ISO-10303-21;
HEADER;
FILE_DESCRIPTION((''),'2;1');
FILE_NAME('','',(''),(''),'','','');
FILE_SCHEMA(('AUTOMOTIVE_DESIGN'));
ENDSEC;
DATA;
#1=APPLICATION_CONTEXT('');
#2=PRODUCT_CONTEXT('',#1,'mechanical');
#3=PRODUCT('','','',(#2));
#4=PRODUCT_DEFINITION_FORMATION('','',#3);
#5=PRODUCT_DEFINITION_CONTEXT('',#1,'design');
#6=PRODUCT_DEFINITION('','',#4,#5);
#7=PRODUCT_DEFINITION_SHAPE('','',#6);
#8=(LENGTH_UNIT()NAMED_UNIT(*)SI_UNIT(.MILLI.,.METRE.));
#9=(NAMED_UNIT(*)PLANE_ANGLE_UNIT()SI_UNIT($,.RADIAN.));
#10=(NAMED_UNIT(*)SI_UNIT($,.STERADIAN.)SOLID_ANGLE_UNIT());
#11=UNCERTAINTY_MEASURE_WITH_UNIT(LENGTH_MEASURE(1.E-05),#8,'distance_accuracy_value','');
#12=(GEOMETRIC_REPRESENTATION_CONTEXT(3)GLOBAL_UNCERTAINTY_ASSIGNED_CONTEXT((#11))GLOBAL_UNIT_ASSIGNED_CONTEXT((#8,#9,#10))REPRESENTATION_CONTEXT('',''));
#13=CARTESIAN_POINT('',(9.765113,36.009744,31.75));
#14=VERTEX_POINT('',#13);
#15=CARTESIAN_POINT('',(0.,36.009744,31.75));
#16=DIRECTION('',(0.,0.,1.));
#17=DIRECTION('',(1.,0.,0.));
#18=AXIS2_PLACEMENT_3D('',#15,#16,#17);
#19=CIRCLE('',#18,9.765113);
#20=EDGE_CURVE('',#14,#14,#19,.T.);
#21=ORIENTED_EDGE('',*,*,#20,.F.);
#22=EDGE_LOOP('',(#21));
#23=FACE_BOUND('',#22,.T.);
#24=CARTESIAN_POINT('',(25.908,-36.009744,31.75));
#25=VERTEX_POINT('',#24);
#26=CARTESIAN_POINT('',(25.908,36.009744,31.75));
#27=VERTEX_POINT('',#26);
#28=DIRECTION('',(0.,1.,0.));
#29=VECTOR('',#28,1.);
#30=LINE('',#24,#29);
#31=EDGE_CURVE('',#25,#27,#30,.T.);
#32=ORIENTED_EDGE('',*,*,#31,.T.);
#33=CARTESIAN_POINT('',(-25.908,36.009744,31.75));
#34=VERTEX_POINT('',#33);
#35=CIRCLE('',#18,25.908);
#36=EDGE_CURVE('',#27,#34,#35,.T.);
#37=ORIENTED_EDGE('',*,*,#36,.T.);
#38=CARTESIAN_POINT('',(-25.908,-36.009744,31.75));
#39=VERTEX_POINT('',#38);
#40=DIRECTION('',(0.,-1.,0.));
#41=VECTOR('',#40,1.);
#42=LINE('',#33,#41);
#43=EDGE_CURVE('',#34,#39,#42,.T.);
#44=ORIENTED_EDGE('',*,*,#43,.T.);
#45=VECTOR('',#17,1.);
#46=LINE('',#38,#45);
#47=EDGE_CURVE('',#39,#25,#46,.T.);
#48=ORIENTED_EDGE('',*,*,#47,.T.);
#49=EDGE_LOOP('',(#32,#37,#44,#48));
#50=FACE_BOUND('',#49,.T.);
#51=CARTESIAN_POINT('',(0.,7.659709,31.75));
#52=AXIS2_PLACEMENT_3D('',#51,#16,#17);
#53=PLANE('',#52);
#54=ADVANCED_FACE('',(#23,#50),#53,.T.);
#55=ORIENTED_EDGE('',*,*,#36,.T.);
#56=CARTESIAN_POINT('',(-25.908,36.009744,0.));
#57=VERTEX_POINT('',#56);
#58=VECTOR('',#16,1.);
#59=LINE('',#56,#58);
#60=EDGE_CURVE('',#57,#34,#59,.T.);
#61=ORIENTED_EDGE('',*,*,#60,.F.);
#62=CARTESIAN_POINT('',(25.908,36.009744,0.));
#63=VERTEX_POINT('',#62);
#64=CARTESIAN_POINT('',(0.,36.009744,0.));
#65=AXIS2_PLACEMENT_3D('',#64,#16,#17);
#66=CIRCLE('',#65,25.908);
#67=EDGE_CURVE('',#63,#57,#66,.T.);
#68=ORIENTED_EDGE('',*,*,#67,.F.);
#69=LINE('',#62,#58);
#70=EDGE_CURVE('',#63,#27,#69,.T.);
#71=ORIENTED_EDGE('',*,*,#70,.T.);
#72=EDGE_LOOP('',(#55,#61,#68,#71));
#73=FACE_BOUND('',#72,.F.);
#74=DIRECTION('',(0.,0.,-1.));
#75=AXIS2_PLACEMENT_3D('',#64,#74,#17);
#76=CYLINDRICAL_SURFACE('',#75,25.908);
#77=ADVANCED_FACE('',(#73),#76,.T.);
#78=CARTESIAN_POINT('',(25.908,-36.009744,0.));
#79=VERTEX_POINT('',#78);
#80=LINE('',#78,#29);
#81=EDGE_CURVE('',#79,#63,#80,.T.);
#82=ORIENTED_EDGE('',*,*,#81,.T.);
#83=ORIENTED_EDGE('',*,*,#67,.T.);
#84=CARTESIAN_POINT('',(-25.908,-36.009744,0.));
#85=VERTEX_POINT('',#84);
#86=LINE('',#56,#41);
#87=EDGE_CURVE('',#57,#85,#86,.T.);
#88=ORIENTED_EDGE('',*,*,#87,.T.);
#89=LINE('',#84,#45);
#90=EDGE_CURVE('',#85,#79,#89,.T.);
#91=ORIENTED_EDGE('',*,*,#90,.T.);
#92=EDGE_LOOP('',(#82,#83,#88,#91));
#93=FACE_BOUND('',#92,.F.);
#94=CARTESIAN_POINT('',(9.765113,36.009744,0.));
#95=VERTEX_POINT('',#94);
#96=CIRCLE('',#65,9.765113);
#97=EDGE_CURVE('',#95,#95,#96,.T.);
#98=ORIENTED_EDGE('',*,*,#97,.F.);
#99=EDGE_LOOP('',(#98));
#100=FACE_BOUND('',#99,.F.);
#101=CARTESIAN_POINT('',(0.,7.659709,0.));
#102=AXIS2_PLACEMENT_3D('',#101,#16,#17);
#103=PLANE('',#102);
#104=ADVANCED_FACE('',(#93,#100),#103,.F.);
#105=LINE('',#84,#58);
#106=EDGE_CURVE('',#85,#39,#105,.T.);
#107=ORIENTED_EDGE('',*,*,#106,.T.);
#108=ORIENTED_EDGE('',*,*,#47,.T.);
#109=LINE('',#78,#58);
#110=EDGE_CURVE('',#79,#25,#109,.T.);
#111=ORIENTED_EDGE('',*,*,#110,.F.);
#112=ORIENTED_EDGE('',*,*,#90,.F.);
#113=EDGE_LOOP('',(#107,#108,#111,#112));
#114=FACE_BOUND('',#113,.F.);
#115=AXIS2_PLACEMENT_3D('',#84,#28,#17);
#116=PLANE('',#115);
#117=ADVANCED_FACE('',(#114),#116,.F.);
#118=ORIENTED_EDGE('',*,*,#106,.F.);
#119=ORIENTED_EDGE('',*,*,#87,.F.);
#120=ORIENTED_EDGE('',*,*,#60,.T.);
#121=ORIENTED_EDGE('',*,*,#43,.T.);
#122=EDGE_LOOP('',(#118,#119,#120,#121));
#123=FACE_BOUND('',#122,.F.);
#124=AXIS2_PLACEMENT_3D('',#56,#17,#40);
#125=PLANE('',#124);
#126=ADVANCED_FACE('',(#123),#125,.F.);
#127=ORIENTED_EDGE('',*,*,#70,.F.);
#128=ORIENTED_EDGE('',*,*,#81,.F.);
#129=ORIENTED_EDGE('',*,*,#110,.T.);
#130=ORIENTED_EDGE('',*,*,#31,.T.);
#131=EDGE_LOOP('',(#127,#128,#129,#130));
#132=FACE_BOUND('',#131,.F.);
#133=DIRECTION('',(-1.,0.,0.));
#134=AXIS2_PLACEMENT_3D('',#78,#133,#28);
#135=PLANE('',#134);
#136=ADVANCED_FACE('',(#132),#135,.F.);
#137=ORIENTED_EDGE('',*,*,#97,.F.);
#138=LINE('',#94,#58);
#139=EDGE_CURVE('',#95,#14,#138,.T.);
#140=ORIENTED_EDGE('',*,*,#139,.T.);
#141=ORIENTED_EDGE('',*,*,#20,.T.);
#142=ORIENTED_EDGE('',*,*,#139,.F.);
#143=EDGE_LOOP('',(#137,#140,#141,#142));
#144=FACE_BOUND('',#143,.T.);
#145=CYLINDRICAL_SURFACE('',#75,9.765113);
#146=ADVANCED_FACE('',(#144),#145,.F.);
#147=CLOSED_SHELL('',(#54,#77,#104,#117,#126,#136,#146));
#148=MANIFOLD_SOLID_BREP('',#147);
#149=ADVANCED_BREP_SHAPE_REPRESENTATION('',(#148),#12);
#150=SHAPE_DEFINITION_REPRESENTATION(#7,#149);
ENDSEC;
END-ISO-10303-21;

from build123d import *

# Parameters (mm, degrees)
F0_R     = 9.765113
F1_DEPTH = 31.75


with BuildPart() as f1:
    # F0 (on Top) → F1 (new body)
    with BuildSketch(Plane.XY):
        with BuildLine():
            Line((-25.908, -36.009744), (25.908, -36.009744))
            Line((25.908, -36.009744), (25.908, 36.009744))
            ThreePointArc((25.908, 36.009744), (0, 61.917744), (-25.908, 36.009744))
            Line((-25.908, 36.009744), (-25.908, -36.009744))
        make_face()
        with Locations((0, 36.009744)):
            Circle(F0_R, mode=Mode.SUBTRACT)
    extrude(amount=F1_DEPTH)


solid = f1.part
